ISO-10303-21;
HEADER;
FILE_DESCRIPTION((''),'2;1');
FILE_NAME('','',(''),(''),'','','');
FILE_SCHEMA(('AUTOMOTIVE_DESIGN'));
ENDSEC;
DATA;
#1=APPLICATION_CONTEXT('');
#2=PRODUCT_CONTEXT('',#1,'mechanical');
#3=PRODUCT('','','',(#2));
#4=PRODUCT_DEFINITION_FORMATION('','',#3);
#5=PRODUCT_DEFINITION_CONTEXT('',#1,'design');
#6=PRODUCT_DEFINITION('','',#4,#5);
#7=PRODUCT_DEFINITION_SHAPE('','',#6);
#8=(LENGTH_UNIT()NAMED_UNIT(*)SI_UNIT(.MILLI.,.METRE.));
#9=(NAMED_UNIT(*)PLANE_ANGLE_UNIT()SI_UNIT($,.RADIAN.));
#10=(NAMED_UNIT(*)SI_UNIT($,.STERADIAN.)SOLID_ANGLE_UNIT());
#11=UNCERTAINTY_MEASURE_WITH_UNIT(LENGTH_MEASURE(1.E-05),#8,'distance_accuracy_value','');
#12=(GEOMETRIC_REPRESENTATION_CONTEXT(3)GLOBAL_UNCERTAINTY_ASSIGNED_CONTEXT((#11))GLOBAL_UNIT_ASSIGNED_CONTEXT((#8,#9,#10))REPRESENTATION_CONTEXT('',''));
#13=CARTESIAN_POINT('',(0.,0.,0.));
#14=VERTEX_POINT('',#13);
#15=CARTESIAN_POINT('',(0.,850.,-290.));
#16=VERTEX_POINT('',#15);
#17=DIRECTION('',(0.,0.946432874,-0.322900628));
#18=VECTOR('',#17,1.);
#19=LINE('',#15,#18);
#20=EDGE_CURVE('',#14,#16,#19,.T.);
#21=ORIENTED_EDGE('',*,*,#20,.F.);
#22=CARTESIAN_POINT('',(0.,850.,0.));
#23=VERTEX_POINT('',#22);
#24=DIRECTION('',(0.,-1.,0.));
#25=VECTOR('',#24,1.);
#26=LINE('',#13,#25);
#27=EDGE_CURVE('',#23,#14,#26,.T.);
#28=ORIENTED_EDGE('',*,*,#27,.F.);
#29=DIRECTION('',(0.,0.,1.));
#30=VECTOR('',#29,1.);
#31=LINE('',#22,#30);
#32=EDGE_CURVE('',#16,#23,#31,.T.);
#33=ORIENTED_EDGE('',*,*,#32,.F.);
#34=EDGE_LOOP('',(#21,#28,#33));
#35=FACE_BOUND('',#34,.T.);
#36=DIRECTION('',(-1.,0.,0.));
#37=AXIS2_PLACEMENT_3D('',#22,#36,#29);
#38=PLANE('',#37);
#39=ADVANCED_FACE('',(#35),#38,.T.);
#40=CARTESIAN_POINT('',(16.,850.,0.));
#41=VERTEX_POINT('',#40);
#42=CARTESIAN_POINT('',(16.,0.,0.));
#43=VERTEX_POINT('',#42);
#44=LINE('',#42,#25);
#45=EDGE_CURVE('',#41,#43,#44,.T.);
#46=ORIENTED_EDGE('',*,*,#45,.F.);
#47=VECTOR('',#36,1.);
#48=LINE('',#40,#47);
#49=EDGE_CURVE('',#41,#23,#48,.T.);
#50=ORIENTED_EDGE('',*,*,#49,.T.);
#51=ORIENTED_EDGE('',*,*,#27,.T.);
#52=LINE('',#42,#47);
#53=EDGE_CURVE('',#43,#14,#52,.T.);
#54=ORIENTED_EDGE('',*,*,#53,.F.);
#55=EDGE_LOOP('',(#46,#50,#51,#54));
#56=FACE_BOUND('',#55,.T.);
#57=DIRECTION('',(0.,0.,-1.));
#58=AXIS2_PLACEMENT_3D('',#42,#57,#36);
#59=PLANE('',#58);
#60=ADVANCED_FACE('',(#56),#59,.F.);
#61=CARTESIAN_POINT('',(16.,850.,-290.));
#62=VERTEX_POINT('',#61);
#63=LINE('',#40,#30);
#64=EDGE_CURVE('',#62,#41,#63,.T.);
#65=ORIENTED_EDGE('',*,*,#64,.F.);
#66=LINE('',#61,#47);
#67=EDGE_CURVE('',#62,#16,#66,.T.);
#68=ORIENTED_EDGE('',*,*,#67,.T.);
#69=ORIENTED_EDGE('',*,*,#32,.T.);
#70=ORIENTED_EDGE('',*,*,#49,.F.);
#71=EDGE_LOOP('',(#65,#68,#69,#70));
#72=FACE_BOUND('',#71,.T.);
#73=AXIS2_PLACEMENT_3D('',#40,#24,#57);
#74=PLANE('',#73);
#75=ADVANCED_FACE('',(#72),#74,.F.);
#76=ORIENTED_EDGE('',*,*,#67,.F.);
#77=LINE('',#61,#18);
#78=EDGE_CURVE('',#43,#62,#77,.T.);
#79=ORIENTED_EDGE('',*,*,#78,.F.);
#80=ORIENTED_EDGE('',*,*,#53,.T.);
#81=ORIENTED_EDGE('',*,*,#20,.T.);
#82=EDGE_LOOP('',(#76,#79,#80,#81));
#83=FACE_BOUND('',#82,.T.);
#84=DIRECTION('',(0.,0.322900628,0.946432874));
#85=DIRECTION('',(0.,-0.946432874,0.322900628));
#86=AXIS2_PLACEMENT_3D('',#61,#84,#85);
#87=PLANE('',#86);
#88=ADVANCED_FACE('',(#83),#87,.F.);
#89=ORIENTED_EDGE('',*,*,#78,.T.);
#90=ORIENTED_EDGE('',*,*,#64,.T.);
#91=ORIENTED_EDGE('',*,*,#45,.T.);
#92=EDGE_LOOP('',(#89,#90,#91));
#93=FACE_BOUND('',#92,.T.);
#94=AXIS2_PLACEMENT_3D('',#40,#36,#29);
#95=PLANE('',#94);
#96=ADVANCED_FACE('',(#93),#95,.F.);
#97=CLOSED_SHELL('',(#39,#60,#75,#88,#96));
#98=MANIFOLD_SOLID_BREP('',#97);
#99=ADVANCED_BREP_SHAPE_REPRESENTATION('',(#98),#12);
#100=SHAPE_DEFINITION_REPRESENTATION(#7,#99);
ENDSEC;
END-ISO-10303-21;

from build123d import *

# Parameters (mm, degrees)
EXTRUDE2_DEPTH = 16


with BuildPart() as part:
    # Sketch1 → Extrude2 (new body)
    with BuildSketch(Plane(origin=(0, 0, 0), x_dir=(0, 0, -1), z_dir=(1, 0, 0))):
        Polygon((290, 850), (0, 0), (0, 850), align=None)
    extrude(amount=EXTRUDE2_DEPTH)


solid = part.part
